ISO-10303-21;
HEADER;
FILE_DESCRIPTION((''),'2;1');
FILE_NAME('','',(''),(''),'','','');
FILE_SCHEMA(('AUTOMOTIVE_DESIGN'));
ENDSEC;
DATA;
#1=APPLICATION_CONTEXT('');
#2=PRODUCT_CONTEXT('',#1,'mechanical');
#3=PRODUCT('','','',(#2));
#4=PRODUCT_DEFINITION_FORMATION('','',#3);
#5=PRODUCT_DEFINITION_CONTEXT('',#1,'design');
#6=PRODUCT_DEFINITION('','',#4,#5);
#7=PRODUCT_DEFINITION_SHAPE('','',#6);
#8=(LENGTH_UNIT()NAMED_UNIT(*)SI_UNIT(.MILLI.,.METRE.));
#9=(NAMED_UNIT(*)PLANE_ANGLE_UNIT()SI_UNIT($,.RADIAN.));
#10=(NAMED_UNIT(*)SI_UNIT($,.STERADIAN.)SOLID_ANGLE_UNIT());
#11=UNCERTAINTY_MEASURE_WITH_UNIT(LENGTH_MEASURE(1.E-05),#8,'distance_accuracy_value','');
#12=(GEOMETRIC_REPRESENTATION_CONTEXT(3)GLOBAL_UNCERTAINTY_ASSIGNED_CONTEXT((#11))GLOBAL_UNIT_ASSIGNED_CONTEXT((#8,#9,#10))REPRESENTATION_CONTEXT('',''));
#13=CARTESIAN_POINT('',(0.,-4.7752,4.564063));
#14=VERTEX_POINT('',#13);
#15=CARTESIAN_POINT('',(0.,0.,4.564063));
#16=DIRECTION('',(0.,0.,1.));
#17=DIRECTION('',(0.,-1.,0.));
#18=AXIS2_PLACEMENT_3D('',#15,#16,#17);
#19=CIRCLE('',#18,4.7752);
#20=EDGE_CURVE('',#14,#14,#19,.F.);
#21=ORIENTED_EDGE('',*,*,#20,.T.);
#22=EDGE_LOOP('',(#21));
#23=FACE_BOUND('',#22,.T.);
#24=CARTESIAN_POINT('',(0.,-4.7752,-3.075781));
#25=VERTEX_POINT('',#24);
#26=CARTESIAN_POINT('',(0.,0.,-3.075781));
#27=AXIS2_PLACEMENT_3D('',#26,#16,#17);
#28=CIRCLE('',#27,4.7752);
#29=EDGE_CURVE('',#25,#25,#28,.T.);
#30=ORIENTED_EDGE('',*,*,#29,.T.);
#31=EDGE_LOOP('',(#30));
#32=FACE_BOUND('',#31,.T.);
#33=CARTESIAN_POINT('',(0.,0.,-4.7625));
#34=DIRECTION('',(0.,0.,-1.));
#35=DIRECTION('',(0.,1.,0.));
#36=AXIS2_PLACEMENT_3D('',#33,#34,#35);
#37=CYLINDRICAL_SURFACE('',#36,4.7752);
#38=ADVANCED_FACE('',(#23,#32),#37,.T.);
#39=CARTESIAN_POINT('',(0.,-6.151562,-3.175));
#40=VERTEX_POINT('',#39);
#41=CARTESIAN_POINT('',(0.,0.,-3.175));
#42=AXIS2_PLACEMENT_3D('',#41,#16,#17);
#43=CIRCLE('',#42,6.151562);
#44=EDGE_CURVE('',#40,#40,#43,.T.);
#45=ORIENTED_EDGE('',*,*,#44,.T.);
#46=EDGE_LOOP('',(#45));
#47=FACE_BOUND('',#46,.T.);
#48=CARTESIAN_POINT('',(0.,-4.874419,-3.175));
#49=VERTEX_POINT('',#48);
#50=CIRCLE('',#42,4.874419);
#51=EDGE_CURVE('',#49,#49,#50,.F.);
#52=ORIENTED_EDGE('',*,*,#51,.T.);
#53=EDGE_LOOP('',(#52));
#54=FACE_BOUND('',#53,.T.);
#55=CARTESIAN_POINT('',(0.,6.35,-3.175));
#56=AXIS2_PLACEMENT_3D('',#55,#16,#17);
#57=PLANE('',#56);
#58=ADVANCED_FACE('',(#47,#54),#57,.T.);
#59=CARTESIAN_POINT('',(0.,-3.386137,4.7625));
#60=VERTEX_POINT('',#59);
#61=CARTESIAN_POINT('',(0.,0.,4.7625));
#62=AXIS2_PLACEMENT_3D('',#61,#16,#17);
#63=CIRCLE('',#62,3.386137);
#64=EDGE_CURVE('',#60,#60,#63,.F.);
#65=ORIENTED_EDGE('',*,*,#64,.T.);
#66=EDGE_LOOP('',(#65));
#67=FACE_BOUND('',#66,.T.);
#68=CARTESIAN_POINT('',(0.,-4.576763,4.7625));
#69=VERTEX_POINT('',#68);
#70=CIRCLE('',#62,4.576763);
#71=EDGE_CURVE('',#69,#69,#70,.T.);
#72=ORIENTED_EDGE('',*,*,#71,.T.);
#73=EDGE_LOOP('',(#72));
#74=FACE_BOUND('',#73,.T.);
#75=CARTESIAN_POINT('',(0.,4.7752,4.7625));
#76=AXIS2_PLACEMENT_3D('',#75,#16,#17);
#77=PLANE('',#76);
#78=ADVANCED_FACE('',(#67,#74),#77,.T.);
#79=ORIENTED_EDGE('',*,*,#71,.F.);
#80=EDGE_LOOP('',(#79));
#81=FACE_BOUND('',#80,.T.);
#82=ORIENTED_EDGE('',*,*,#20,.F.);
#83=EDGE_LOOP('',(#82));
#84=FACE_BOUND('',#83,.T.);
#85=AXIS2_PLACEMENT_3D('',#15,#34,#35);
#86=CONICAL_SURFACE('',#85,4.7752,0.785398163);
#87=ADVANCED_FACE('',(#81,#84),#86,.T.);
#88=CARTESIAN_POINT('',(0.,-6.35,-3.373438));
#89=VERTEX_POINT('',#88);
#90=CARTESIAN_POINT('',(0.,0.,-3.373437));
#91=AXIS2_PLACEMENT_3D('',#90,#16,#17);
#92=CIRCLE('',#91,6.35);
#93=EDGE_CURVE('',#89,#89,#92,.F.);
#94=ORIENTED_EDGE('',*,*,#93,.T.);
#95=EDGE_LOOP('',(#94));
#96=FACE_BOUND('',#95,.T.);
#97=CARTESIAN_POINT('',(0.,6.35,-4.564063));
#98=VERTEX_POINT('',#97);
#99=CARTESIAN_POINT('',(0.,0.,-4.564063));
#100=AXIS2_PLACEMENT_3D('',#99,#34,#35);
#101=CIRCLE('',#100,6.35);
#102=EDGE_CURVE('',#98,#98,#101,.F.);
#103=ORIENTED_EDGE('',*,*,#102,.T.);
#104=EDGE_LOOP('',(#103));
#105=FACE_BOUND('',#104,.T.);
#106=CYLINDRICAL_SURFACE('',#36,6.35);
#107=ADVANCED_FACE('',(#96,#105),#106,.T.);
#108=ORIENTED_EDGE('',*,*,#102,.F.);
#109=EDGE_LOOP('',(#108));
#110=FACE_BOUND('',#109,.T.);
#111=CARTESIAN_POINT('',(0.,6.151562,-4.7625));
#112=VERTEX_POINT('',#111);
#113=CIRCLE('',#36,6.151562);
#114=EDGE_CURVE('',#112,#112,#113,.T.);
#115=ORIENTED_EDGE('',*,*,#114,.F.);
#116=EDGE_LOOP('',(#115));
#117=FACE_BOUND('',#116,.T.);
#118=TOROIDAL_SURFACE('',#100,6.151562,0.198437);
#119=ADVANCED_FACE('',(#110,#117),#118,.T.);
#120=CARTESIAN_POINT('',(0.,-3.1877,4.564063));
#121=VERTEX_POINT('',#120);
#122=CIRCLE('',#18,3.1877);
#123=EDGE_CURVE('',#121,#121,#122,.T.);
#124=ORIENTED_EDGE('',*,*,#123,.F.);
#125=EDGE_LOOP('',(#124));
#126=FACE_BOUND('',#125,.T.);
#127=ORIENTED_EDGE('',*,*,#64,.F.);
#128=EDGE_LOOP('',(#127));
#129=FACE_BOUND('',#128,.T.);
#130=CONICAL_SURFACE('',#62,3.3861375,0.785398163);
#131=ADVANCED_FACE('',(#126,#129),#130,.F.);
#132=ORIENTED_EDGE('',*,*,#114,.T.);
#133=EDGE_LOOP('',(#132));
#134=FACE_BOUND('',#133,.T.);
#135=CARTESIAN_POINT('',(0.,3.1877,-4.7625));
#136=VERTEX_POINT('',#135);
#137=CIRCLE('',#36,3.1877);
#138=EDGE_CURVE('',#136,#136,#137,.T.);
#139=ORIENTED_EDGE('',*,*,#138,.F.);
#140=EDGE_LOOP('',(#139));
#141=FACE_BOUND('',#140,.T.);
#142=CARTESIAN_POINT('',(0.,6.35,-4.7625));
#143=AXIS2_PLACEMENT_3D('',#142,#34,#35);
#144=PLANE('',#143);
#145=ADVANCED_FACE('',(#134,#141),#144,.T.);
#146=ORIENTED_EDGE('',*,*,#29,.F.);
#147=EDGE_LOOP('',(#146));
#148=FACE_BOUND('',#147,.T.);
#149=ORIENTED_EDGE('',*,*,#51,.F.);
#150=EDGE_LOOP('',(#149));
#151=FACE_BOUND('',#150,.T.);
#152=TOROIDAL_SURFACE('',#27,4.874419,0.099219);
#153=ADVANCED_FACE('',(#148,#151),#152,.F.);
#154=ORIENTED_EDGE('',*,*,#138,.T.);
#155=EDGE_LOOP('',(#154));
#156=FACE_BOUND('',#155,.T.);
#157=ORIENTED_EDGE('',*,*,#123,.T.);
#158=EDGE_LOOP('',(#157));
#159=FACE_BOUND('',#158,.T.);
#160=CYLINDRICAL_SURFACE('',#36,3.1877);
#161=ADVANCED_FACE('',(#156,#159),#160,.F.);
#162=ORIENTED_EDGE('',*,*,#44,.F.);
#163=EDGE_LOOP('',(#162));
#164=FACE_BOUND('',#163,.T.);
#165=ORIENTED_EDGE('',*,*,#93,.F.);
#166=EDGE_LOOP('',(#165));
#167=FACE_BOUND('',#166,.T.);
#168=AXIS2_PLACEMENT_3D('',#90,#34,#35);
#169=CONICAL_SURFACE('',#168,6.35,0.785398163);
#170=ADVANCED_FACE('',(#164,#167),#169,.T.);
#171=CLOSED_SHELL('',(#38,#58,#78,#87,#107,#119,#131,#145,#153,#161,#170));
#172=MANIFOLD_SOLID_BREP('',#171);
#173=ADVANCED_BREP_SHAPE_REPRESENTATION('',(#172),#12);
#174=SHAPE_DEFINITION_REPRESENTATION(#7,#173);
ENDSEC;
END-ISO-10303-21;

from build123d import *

# Parameters (mm, degrees)
CHAMFER1_SIZE = 0.1984375
FILLET1_R     = 0.1984375
FILLET2_R     = 0.09921875


with BuildPart() as part:
    # Sketch3 → Revolve1 (revolve)
    with BuildSketch(Plane(origin=(0, 0, 0), x_dir=(0, 0, -1), z_dir=(1, 0, 0))):
        Polygon((4.7625, 6.35), (3.175, 6.35), (3.175, 4.7752), (-4.7625, 4.7752), (-4.7625, 3.1877), (4.7625, 3.1877), align=None)
    revolve(axis=Axis((0, 0, -4.7625), (0, 0, 1)))

    # Chamfer1
    chamfer1_edges = [part.edges().sort_by_distance(p)[0] for p in [
        (0, -3.1877, 4.7625),
        (0, -4.7752, 4.7625),
        (0, -6.35, -3.175),
    ]]
    chamfer(chamfer1_edges, length=CHAMFER1_SIZE)

    # Fillet1
    fillet1_edges = [part.edges().sort_by_distance(p)[0] for p in [
        (0, -6.35, -4.7625),
    ]]
    fillet(fillet1_edges, radius=FILLET1_R)

    # Fillet2
    fillet2_edges = [part.edges().sort_by_distance(p)[0] for p in [
        (0, -4.7752, -3.175),
    ]]
    fillet(fillet2_edges, radius=FILLET2_R)


solid = part.part
